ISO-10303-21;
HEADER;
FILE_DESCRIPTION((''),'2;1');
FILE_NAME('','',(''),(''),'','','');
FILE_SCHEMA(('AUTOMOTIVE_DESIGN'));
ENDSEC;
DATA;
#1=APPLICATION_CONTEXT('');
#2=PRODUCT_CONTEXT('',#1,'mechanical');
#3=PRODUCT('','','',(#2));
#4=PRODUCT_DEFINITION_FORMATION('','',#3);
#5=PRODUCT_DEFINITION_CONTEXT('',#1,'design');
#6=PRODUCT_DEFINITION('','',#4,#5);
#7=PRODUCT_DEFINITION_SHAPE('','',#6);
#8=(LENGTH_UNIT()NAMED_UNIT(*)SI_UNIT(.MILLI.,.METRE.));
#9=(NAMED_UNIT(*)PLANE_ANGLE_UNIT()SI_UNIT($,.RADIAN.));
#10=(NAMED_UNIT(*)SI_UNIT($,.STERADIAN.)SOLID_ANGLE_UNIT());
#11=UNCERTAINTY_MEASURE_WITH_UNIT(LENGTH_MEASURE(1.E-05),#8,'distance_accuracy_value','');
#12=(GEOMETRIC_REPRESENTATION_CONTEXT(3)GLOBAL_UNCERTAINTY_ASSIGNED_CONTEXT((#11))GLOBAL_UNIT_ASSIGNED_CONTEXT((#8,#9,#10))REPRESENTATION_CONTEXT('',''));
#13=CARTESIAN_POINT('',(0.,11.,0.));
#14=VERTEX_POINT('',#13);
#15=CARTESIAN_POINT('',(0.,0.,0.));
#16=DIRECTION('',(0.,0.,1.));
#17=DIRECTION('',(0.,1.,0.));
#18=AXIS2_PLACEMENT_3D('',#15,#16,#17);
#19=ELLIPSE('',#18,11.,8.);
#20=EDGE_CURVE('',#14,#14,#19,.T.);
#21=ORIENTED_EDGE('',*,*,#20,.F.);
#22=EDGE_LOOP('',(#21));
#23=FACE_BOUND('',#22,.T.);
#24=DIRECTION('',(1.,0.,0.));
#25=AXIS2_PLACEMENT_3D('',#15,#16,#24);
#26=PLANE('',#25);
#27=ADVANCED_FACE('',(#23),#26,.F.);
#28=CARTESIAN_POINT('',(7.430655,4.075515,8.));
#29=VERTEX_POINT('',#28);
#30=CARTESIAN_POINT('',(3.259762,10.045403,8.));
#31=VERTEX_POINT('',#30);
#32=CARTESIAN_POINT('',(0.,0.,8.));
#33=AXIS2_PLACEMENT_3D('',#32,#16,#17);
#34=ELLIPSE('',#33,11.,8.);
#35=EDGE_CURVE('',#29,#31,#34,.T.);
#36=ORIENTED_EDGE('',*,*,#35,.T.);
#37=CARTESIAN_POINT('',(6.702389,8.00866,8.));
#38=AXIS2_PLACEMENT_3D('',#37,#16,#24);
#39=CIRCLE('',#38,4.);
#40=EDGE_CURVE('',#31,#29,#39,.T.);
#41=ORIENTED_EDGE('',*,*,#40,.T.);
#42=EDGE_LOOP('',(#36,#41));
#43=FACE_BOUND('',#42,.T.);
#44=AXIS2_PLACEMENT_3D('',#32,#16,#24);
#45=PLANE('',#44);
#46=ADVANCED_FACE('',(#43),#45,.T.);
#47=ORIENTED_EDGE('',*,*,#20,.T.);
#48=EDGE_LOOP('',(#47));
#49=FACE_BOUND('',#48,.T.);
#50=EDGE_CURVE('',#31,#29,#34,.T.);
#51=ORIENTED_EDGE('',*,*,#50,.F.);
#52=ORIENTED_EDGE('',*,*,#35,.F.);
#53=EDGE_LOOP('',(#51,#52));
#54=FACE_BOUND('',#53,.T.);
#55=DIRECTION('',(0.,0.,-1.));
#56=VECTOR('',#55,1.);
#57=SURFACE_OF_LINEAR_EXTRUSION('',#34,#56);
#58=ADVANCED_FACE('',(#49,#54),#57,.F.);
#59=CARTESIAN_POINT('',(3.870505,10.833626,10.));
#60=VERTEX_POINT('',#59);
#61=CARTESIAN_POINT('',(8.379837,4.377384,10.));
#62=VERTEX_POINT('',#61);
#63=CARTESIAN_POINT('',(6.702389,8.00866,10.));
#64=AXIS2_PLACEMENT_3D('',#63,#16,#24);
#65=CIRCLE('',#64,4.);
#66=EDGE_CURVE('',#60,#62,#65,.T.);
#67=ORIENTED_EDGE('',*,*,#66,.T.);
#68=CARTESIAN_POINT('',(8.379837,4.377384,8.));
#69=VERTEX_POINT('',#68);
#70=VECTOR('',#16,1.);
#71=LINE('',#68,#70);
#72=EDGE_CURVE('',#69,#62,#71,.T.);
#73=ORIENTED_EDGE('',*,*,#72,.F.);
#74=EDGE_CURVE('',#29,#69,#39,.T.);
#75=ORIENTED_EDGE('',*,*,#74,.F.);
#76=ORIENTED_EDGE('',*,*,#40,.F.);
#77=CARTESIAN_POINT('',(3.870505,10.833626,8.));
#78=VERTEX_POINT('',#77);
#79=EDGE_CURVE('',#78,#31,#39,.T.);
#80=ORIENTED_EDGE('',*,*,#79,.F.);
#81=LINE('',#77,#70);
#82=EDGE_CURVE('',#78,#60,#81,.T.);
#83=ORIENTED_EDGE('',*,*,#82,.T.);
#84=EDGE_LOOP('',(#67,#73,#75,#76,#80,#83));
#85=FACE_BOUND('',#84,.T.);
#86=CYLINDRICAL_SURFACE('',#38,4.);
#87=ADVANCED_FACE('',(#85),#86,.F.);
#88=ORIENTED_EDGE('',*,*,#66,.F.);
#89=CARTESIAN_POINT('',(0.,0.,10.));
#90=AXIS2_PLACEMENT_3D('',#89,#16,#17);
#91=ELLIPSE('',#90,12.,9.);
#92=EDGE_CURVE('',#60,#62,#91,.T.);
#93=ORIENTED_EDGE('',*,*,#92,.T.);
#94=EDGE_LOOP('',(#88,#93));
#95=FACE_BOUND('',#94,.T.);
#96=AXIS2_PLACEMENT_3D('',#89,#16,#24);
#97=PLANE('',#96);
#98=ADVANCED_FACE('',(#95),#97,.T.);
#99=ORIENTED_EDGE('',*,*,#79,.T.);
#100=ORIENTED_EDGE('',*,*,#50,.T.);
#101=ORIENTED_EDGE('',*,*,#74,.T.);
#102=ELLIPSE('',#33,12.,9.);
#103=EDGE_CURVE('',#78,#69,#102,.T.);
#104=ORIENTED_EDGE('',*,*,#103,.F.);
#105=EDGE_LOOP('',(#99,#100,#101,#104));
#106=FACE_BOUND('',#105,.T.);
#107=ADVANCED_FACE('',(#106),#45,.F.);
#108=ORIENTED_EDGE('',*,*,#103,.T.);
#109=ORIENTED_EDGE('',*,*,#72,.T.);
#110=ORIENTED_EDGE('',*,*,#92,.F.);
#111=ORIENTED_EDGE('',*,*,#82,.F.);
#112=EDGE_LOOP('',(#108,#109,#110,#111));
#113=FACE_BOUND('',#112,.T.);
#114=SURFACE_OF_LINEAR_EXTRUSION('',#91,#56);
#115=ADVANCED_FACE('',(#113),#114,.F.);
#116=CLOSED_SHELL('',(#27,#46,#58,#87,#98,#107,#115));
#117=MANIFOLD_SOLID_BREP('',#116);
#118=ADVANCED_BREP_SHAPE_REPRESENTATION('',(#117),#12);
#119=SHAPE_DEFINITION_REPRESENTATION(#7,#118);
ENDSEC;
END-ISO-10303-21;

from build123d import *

# Parameters (mm, degrees)
CROQUIS1_RX             = 11
CROQUIS1_RY             = 8
SALIENTE_EXTRUIR1_DEPTH = 8
CROQUIS2_RX             = 12
CROQUIS2_RY             = 9
SALIENTE_EXTRUIR2_DEPTH = 2
CROQUIS3_R              = 4
CORTAR_EXTRUIR1_DEPTH   = 2


with BuildPart() as part:
    # Croquis1 → Saliente-Extruir1 (new body)
    with BuildSketch(Plane.XY):
        with Locations(Location((0, 0), (0, 0, 90))):
            Ellipse(CROQUIS1_RX, CROQUIS1_RY)
    extrude(amount=SALIENTE_EXTRUIR1_DEPTH)

    # Croquis2 → Saliente-Extruir2 (add)
    with BuildSketch(Plane.XY.offset(8)):
        with Locations(Location((0, 0), (0, 0, 90))):
            Ellipse(CROQUIS2_RX, CROQUIS2_RY)
    extrude(amount=SALIENTE_EXTRUIR2_DEPTH)

    # Croquis3 → Cortar-Extruir1 (cut)
    with BuildSketch(Plane.XY.offset(10)):
        with Locations((6.702388813, 8.008660223)):
            Circle(CROQUIS3_R)
    extrude(amount=-CORTAR_EXTRUIR1_DEPTH, mode=Mode.SUBTRACT)


solid = part.part
